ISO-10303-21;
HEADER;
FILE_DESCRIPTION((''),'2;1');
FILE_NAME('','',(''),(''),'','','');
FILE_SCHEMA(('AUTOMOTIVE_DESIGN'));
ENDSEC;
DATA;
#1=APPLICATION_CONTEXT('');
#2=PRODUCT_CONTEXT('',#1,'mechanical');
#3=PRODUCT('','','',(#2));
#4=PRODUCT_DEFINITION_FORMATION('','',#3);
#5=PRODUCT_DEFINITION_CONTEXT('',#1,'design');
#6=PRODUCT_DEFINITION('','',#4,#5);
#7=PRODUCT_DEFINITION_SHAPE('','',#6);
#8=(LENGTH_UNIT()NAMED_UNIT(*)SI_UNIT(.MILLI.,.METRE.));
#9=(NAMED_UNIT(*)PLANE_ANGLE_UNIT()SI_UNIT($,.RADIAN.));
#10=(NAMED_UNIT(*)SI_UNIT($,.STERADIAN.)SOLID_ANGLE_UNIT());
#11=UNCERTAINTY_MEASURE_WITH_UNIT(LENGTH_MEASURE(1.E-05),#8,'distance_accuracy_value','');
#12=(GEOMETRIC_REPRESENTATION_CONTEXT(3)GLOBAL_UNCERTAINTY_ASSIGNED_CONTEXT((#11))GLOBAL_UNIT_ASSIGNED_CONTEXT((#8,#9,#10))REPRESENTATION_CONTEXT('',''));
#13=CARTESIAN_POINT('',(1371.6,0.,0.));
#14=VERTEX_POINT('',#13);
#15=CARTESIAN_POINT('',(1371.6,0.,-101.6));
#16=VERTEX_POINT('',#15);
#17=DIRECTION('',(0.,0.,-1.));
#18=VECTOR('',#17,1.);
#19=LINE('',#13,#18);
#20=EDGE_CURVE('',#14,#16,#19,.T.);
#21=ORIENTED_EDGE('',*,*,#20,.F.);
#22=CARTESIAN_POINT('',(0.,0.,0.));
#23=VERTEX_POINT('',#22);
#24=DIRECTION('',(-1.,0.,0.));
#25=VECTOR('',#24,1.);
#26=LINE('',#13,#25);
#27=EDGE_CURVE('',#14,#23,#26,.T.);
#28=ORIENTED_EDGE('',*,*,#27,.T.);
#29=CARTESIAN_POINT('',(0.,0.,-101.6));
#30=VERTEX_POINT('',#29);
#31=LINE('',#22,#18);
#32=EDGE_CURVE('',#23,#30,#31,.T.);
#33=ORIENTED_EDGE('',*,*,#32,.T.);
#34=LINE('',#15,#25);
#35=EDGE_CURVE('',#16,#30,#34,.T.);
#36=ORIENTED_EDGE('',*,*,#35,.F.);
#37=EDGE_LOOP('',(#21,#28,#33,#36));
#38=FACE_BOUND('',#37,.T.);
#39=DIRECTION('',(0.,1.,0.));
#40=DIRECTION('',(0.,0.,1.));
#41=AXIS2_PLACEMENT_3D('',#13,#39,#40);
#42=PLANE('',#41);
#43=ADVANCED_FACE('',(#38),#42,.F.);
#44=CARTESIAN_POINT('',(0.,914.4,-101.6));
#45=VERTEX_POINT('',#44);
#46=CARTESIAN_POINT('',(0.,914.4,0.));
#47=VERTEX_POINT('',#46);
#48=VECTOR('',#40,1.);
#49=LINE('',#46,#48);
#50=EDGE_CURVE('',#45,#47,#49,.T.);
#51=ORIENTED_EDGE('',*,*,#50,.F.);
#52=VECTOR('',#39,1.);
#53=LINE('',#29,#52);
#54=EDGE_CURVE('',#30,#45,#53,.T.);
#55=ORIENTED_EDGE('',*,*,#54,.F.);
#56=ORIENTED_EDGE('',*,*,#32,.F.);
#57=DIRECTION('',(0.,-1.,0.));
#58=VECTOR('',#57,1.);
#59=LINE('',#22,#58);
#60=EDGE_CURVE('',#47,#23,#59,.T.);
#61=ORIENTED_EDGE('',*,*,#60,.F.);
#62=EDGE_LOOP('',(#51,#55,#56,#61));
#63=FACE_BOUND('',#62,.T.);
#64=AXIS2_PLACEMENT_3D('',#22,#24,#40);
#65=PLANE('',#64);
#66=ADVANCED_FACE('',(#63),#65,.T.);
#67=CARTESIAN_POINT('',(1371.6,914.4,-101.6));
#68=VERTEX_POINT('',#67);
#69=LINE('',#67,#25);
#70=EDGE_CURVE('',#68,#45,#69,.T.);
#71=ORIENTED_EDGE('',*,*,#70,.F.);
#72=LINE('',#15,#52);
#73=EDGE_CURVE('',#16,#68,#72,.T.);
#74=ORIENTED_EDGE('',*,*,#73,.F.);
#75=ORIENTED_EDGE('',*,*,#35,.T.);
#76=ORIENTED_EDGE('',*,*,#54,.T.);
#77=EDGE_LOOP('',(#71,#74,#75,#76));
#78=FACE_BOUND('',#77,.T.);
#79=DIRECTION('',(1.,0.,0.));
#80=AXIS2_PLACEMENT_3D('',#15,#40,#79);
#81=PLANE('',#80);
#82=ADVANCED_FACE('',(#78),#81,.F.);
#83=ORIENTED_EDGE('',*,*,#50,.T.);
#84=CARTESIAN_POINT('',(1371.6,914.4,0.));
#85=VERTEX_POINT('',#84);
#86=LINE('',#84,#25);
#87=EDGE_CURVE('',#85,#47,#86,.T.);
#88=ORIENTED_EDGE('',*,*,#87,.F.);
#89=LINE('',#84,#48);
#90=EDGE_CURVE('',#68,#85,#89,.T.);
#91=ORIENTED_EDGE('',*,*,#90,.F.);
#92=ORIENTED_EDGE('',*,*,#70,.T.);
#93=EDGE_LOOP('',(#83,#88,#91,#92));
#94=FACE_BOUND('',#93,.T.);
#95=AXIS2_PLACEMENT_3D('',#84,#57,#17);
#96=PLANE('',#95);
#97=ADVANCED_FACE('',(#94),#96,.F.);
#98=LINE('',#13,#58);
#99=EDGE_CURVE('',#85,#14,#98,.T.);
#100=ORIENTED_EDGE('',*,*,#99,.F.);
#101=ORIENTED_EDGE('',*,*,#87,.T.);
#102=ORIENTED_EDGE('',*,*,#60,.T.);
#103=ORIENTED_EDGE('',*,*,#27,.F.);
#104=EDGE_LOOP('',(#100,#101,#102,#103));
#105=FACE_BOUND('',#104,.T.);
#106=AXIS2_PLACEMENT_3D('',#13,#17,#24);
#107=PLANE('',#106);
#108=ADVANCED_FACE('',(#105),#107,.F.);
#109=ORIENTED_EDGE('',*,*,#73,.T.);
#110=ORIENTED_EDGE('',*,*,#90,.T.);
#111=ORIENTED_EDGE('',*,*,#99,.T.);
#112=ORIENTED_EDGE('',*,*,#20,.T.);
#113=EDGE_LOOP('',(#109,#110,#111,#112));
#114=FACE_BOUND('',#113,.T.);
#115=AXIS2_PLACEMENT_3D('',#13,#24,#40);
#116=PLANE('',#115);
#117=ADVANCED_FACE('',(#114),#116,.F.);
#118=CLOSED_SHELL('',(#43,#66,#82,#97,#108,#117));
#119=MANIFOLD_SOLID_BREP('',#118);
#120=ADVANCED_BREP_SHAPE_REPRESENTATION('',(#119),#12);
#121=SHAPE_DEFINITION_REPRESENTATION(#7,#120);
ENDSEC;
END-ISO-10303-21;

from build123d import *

# Parameters (mm, degrees)
SKETCH1_W  = 101.6
SKETCH1_H  = 914.4
BASE_DEPTH = 1371.6


with BuildPart() as part:
    # Sketch1 → Base (new body)
    with BuildSketch(Plane(origin=(0, 0, 0), x_dir=(0, 0, -1), z_dir=(1, 0, 0))):
        with Locations((50.8, 457.2)):
            Rectangle(SKETCH1_W, SKETCH1_H)
    extrude(amount=BASE_DEPTH)


solid = part.part
